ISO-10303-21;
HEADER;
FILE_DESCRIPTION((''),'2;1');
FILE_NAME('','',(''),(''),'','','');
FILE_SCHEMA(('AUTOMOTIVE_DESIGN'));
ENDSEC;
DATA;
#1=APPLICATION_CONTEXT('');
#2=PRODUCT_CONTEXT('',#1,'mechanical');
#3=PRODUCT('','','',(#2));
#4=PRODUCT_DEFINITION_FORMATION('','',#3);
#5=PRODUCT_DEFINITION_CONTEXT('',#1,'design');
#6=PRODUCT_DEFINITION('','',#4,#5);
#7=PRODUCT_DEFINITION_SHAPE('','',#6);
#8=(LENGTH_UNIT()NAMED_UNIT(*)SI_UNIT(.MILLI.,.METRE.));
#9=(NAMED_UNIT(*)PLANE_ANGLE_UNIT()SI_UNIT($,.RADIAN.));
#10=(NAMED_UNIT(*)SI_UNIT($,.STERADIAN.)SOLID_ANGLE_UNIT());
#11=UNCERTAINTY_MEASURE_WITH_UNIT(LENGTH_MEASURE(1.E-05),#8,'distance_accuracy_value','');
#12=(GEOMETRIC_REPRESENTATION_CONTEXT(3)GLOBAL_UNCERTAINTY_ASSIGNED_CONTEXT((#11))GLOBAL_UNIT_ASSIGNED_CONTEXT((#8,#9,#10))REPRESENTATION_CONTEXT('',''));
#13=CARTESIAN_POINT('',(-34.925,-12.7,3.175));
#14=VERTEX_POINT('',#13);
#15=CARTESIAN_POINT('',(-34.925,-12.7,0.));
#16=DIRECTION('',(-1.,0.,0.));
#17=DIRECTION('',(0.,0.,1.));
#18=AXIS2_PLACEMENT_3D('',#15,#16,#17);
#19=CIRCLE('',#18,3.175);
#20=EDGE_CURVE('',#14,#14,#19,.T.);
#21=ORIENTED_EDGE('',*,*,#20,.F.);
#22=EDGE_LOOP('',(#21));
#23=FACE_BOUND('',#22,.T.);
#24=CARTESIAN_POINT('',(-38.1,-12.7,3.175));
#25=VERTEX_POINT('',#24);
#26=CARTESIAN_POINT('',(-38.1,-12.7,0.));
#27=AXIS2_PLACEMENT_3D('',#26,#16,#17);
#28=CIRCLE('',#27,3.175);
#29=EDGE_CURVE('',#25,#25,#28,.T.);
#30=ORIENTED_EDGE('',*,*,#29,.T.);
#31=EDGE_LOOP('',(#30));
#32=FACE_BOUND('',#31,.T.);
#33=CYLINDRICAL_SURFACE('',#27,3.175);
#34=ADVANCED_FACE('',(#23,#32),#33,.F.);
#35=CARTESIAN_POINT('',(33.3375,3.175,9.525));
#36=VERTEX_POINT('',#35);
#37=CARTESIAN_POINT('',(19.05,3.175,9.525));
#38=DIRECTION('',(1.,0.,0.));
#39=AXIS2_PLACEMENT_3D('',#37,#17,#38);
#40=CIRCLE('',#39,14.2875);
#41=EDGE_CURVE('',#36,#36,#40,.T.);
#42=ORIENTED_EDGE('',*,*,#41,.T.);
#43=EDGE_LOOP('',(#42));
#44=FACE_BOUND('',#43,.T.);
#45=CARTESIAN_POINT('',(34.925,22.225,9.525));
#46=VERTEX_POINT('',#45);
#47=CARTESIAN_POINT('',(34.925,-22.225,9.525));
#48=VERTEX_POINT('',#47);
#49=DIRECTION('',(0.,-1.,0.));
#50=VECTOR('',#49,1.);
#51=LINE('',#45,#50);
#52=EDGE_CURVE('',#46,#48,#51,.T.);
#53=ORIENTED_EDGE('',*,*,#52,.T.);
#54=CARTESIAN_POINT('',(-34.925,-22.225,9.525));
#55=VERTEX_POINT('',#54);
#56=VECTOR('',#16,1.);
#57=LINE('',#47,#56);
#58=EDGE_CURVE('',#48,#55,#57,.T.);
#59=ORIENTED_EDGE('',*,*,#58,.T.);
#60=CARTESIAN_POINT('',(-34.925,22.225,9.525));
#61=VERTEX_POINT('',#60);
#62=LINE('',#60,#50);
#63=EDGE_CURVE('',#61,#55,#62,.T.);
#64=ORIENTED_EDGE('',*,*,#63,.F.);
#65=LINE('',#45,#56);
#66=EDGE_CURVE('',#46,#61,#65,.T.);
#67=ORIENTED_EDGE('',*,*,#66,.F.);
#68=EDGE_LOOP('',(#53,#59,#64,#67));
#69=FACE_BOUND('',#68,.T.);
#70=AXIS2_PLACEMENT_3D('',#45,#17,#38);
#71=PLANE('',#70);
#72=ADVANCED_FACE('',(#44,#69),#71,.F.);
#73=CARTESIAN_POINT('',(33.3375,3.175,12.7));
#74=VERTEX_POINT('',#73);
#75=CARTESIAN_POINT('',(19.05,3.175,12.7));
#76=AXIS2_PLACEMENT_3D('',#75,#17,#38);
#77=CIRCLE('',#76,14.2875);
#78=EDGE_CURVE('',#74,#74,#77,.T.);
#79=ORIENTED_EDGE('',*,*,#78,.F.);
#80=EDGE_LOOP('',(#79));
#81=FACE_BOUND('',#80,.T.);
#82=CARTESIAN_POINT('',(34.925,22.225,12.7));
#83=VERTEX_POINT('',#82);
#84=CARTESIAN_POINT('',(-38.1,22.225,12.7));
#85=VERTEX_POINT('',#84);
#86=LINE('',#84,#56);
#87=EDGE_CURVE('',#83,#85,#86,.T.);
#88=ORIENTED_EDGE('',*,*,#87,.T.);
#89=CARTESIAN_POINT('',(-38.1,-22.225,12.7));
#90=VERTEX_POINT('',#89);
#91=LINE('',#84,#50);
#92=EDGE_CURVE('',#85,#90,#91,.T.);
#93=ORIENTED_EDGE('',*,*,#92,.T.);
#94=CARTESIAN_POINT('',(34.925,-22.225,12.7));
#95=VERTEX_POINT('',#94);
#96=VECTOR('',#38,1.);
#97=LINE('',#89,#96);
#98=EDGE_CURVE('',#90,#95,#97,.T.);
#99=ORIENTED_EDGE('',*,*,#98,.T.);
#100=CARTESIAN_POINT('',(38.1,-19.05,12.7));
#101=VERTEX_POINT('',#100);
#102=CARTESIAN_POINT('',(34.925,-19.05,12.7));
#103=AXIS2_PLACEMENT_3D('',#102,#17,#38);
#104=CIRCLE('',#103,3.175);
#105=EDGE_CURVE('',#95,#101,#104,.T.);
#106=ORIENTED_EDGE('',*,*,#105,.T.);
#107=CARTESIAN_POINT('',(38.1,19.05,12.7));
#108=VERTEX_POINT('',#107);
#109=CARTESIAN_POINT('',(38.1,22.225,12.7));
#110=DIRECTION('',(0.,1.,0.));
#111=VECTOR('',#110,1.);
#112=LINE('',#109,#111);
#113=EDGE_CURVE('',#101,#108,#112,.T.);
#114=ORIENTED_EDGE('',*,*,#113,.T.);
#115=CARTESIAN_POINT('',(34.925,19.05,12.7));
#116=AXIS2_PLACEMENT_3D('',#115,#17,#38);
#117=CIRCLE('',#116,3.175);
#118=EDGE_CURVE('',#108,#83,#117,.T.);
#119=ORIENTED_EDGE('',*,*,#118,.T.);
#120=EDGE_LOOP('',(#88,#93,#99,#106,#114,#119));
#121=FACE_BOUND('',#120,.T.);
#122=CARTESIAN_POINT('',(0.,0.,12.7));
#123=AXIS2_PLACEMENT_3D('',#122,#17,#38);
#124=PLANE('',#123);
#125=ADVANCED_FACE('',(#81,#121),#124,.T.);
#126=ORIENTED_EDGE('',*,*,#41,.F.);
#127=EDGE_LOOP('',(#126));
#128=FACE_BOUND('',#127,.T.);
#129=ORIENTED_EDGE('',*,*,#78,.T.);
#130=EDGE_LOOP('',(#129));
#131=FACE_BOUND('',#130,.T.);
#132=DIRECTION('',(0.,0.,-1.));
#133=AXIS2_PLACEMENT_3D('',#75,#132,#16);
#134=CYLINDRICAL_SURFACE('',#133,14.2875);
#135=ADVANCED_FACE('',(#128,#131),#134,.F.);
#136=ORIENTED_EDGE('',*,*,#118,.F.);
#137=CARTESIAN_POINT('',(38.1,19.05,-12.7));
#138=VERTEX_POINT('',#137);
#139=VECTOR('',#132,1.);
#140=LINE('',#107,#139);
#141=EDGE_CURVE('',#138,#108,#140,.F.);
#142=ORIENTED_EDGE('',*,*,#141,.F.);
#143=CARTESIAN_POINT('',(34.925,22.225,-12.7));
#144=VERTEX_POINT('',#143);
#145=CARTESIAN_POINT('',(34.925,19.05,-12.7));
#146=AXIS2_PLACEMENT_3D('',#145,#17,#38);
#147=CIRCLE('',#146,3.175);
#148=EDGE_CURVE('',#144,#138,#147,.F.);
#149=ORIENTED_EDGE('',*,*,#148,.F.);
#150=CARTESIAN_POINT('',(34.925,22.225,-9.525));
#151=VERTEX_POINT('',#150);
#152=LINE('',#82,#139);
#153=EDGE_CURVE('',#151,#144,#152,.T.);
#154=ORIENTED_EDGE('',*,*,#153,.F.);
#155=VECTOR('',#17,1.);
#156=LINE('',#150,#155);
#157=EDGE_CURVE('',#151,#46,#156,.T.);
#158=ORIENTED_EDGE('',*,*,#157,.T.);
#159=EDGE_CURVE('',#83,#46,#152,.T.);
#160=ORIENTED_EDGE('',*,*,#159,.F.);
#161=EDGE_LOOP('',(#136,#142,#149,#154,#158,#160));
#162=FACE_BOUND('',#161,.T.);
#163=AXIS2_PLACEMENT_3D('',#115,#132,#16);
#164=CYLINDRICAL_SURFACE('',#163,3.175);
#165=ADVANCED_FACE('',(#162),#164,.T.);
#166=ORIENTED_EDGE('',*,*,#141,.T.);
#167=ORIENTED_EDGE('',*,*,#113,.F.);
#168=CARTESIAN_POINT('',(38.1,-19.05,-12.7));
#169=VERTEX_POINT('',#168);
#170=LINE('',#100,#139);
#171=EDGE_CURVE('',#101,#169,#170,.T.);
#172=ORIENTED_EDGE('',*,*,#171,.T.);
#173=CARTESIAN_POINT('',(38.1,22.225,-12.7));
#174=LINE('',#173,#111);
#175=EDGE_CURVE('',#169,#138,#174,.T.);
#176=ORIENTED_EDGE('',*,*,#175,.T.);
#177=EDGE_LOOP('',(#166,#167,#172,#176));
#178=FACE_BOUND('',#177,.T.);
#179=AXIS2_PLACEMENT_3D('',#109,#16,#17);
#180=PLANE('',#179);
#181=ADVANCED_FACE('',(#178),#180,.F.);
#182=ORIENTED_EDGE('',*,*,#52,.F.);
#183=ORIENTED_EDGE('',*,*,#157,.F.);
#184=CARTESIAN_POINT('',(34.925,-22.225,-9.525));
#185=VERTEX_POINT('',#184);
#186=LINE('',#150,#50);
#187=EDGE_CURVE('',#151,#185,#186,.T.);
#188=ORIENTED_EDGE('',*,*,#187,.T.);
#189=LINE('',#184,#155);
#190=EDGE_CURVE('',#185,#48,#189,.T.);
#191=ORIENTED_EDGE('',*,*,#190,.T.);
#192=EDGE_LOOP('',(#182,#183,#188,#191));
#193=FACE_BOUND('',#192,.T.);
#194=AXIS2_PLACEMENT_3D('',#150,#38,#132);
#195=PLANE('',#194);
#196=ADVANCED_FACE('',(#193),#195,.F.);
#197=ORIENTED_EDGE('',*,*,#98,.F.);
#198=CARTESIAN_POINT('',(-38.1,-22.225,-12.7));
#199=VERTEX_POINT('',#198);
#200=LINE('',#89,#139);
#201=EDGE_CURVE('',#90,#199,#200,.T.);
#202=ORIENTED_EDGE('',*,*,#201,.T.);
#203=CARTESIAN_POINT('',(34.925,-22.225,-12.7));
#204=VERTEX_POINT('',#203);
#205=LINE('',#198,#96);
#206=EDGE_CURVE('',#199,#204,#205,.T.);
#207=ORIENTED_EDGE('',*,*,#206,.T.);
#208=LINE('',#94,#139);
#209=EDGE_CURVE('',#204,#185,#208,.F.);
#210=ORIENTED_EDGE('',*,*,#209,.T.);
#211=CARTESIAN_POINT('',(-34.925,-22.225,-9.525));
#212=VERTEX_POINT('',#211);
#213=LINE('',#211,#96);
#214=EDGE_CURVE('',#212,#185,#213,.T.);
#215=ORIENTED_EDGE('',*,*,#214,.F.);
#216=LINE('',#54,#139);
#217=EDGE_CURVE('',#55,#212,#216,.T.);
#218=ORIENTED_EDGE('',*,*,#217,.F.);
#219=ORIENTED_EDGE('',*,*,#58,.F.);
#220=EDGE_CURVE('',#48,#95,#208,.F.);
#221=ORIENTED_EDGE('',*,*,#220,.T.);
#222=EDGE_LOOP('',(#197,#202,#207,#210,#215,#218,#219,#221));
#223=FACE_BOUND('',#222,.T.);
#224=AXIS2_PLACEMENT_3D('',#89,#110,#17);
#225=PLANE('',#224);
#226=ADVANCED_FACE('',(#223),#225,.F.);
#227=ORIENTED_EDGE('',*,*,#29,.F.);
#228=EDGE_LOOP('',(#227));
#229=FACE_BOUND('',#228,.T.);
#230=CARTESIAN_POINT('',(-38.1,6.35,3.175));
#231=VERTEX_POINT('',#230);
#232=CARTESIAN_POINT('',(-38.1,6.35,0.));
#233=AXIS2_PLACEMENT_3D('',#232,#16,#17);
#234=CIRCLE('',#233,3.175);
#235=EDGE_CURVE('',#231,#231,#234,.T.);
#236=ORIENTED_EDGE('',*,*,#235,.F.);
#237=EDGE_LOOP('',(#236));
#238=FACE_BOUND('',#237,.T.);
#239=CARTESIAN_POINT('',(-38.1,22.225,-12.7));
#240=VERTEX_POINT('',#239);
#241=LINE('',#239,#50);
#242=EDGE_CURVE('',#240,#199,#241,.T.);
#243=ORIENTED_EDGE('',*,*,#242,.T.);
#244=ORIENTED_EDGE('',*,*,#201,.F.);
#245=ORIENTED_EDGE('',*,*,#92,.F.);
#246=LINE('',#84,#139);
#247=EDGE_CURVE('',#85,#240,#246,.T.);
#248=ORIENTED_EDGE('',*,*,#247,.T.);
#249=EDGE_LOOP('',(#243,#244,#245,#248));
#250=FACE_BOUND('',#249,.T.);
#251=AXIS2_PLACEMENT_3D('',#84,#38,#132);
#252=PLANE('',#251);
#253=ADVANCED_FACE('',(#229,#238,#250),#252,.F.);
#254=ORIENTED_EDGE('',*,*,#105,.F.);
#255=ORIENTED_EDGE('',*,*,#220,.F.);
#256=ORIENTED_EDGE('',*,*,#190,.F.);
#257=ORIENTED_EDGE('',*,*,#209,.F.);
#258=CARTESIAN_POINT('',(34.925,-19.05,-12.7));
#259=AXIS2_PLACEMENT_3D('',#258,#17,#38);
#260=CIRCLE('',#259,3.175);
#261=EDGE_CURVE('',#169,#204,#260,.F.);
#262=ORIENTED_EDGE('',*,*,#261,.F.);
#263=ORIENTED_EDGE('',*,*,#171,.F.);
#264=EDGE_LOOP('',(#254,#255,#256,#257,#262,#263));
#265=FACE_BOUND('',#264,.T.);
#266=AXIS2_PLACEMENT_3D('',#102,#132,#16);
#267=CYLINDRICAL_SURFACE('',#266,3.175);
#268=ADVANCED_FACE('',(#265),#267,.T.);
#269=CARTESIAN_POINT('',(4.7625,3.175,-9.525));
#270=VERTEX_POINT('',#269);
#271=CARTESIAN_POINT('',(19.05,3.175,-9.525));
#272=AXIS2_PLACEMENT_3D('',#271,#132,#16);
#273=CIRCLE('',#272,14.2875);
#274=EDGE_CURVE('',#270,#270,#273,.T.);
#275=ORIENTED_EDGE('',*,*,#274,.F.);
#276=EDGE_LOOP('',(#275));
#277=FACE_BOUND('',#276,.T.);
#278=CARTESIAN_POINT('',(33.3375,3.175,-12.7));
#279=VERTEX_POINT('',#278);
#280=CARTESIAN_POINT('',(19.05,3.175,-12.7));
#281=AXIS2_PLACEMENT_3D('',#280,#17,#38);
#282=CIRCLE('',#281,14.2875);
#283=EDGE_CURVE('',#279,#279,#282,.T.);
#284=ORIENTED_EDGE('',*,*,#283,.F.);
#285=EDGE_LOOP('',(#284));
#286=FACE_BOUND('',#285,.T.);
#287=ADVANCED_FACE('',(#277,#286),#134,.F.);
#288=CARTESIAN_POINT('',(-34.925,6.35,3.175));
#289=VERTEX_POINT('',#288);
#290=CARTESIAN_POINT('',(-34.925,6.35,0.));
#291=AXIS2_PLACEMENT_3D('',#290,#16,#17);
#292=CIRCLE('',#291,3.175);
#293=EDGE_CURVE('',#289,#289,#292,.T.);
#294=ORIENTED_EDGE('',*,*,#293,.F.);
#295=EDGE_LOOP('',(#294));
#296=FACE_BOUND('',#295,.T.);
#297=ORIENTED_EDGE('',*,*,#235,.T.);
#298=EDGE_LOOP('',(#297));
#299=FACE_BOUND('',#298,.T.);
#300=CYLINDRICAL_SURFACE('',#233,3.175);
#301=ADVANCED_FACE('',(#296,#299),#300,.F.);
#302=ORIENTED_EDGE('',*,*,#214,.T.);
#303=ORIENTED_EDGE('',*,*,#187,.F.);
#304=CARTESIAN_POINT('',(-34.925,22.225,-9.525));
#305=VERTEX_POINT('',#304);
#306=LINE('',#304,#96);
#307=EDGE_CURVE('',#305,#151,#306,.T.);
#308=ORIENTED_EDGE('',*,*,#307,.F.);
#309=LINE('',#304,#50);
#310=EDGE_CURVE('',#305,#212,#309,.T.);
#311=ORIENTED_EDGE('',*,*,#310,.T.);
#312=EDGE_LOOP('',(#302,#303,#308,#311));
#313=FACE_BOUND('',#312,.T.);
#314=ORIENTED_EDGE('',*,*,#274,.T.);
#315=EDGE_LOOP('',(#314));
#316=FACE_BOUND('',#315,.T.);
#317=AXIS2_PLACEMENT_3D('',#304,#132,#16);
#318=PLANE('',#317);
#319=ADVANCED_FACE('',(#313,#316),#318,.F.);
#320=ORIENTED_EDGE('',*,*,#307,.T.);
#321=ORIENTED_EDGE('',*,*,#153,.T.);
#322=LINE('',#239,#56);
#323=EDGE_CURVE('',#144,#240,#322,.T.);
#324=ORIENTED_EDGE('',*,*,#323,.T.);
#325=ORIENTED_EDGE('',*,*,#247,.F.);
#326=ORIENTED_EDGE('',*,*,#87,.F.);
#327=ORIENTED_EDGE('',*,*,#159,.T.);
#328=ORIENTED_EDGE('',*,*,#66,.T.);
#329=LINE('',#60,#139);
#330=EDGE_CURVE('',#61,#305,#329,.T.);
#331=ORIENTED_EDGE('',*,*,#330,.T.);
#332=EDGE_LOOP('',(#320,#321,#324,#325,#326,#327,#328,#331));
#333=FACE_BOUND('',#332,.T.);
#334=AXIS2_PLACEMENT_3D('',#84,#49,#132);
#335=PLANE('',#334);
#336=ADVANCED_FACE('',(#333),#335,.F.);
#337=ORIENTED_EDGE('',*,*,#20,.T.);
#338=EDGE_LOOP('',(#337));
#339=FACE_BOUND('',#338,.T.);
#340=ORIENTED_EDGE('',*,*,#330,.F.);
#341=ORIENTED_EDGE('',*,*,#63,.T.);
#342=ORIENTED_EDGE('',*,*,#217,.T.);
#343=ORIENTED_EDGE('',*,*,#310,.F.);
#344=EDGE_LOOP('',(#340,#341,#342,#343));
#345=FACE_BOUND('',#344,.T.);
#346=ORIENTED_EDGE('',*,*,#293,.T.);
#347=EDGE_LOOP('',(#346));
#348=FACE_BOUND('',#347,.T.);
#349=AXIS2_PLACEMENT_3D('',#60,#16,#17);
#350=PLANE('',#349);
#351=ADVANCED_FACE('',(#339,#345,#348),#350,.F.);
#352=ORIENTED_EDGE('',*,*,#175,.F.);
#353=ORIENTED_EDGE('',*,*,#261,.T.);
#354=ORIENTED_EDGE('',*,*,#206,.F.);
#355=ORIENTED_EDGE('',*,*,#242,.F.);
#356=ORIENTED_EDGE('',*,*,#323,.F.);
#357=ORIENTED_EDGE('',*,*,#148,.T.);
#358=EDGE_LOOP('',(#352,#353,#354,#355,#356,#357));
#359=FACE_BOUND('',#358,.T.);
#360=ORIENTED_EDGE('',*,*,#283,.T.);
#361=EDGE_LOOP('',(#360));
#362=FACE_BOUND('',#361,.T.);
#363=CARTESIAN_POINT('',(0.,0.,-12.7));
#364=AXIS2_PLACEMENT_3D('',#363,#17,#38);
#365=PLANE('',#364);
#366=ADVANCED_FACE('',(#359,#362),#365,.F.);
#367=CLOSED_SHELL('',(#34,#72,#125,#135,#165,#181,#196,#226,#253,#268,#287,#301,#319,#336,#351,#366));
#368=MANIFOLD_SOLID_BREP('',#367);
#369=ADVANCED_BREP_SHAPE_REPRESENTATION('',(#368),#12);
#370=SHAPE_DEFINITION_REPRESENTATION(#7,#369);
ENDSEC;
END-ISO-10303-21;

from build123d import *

# Parameters (mm, degrees)
SKETCH1_W                       = 76.2
SKETCH1_H                       = 44.45
SKETCH1_R                       = 14.2875
BOSS_EXTRUDE1_DEPTH             = 12.7
FILLET1_R                       = 3.175
SKETCH3_W                       = 69.85
SKETCH3_H                       = 19.05
CUT_EXTRUDE2_DEPTH              = 60.905780189
F_1_4_0_25_DIAMETER_HOLE1_D     = 6.35
F_1_4_0_25_DIAMETER_HOLE1_DEPTH = 5.08
F_1_4_0_25_DIAMETER_HOLE1_TIP   = 1.907732465


with BuildPart() as part:
    # Sketch1 → Boss-Extrude1 (new, symmetric)
    with BuildSketch(Plane.XY):
        Rectangle(SKETCH1_W, SKETCH1_H)
        with Locations((19.05, 3.175)):
            Circle(SKETCH1_R, mode=Mode.SUBTRACT)
    extrude(amount=BOSS_EXTRUDE1_DEPTH, both=True)

    # Fillet1
    fillet1_edges = [part.edges().sort_by_distance(p)[0] for p in [
        (38.1, -22.225, 0),
        (38.1, 22.225, 0),
    ]]
    fillet(fillet1_edges, radius=FILLET1_R)

    # Sketch3 → Cut-Extrude2 (cut, through all)
    with BuildSketch(Plane.XZ.offset(22.225)):
        Rectangle(SKETCH3_W, SKETCH3_H)
    extrude(amount=-CUT_EXTRUDE2_DEPTH, mode=Mode.SUBTRACT)

    # 1/4 (0.25) Diameter Hole1
    with Locations(Plane.ZY.offset(38.1)):
        with Locations((0, 6.35), (0, -12.7)):
            Hole(F_1_4_0_25_DIAMETER_HOLE1_D / 2, depth=F_1_4_0_25_DIAMETER_HOLE1_DEPTH)
            with Locations((0, 0, -(F_1_4_0_25_DIAMETER_HOLE1_DEPTH + F_1_4_0_25_DIAMETER_HOLE1_TIP / 2))):  # 118° drill point
                Cone(0, F_1_4_0_25_DIAMETER_HOLE1_D / 2, F_1_4_0_25_DIAMETER_HOLE1_TIP, mode=Mode.SUBTRACT)


solid = part.part
